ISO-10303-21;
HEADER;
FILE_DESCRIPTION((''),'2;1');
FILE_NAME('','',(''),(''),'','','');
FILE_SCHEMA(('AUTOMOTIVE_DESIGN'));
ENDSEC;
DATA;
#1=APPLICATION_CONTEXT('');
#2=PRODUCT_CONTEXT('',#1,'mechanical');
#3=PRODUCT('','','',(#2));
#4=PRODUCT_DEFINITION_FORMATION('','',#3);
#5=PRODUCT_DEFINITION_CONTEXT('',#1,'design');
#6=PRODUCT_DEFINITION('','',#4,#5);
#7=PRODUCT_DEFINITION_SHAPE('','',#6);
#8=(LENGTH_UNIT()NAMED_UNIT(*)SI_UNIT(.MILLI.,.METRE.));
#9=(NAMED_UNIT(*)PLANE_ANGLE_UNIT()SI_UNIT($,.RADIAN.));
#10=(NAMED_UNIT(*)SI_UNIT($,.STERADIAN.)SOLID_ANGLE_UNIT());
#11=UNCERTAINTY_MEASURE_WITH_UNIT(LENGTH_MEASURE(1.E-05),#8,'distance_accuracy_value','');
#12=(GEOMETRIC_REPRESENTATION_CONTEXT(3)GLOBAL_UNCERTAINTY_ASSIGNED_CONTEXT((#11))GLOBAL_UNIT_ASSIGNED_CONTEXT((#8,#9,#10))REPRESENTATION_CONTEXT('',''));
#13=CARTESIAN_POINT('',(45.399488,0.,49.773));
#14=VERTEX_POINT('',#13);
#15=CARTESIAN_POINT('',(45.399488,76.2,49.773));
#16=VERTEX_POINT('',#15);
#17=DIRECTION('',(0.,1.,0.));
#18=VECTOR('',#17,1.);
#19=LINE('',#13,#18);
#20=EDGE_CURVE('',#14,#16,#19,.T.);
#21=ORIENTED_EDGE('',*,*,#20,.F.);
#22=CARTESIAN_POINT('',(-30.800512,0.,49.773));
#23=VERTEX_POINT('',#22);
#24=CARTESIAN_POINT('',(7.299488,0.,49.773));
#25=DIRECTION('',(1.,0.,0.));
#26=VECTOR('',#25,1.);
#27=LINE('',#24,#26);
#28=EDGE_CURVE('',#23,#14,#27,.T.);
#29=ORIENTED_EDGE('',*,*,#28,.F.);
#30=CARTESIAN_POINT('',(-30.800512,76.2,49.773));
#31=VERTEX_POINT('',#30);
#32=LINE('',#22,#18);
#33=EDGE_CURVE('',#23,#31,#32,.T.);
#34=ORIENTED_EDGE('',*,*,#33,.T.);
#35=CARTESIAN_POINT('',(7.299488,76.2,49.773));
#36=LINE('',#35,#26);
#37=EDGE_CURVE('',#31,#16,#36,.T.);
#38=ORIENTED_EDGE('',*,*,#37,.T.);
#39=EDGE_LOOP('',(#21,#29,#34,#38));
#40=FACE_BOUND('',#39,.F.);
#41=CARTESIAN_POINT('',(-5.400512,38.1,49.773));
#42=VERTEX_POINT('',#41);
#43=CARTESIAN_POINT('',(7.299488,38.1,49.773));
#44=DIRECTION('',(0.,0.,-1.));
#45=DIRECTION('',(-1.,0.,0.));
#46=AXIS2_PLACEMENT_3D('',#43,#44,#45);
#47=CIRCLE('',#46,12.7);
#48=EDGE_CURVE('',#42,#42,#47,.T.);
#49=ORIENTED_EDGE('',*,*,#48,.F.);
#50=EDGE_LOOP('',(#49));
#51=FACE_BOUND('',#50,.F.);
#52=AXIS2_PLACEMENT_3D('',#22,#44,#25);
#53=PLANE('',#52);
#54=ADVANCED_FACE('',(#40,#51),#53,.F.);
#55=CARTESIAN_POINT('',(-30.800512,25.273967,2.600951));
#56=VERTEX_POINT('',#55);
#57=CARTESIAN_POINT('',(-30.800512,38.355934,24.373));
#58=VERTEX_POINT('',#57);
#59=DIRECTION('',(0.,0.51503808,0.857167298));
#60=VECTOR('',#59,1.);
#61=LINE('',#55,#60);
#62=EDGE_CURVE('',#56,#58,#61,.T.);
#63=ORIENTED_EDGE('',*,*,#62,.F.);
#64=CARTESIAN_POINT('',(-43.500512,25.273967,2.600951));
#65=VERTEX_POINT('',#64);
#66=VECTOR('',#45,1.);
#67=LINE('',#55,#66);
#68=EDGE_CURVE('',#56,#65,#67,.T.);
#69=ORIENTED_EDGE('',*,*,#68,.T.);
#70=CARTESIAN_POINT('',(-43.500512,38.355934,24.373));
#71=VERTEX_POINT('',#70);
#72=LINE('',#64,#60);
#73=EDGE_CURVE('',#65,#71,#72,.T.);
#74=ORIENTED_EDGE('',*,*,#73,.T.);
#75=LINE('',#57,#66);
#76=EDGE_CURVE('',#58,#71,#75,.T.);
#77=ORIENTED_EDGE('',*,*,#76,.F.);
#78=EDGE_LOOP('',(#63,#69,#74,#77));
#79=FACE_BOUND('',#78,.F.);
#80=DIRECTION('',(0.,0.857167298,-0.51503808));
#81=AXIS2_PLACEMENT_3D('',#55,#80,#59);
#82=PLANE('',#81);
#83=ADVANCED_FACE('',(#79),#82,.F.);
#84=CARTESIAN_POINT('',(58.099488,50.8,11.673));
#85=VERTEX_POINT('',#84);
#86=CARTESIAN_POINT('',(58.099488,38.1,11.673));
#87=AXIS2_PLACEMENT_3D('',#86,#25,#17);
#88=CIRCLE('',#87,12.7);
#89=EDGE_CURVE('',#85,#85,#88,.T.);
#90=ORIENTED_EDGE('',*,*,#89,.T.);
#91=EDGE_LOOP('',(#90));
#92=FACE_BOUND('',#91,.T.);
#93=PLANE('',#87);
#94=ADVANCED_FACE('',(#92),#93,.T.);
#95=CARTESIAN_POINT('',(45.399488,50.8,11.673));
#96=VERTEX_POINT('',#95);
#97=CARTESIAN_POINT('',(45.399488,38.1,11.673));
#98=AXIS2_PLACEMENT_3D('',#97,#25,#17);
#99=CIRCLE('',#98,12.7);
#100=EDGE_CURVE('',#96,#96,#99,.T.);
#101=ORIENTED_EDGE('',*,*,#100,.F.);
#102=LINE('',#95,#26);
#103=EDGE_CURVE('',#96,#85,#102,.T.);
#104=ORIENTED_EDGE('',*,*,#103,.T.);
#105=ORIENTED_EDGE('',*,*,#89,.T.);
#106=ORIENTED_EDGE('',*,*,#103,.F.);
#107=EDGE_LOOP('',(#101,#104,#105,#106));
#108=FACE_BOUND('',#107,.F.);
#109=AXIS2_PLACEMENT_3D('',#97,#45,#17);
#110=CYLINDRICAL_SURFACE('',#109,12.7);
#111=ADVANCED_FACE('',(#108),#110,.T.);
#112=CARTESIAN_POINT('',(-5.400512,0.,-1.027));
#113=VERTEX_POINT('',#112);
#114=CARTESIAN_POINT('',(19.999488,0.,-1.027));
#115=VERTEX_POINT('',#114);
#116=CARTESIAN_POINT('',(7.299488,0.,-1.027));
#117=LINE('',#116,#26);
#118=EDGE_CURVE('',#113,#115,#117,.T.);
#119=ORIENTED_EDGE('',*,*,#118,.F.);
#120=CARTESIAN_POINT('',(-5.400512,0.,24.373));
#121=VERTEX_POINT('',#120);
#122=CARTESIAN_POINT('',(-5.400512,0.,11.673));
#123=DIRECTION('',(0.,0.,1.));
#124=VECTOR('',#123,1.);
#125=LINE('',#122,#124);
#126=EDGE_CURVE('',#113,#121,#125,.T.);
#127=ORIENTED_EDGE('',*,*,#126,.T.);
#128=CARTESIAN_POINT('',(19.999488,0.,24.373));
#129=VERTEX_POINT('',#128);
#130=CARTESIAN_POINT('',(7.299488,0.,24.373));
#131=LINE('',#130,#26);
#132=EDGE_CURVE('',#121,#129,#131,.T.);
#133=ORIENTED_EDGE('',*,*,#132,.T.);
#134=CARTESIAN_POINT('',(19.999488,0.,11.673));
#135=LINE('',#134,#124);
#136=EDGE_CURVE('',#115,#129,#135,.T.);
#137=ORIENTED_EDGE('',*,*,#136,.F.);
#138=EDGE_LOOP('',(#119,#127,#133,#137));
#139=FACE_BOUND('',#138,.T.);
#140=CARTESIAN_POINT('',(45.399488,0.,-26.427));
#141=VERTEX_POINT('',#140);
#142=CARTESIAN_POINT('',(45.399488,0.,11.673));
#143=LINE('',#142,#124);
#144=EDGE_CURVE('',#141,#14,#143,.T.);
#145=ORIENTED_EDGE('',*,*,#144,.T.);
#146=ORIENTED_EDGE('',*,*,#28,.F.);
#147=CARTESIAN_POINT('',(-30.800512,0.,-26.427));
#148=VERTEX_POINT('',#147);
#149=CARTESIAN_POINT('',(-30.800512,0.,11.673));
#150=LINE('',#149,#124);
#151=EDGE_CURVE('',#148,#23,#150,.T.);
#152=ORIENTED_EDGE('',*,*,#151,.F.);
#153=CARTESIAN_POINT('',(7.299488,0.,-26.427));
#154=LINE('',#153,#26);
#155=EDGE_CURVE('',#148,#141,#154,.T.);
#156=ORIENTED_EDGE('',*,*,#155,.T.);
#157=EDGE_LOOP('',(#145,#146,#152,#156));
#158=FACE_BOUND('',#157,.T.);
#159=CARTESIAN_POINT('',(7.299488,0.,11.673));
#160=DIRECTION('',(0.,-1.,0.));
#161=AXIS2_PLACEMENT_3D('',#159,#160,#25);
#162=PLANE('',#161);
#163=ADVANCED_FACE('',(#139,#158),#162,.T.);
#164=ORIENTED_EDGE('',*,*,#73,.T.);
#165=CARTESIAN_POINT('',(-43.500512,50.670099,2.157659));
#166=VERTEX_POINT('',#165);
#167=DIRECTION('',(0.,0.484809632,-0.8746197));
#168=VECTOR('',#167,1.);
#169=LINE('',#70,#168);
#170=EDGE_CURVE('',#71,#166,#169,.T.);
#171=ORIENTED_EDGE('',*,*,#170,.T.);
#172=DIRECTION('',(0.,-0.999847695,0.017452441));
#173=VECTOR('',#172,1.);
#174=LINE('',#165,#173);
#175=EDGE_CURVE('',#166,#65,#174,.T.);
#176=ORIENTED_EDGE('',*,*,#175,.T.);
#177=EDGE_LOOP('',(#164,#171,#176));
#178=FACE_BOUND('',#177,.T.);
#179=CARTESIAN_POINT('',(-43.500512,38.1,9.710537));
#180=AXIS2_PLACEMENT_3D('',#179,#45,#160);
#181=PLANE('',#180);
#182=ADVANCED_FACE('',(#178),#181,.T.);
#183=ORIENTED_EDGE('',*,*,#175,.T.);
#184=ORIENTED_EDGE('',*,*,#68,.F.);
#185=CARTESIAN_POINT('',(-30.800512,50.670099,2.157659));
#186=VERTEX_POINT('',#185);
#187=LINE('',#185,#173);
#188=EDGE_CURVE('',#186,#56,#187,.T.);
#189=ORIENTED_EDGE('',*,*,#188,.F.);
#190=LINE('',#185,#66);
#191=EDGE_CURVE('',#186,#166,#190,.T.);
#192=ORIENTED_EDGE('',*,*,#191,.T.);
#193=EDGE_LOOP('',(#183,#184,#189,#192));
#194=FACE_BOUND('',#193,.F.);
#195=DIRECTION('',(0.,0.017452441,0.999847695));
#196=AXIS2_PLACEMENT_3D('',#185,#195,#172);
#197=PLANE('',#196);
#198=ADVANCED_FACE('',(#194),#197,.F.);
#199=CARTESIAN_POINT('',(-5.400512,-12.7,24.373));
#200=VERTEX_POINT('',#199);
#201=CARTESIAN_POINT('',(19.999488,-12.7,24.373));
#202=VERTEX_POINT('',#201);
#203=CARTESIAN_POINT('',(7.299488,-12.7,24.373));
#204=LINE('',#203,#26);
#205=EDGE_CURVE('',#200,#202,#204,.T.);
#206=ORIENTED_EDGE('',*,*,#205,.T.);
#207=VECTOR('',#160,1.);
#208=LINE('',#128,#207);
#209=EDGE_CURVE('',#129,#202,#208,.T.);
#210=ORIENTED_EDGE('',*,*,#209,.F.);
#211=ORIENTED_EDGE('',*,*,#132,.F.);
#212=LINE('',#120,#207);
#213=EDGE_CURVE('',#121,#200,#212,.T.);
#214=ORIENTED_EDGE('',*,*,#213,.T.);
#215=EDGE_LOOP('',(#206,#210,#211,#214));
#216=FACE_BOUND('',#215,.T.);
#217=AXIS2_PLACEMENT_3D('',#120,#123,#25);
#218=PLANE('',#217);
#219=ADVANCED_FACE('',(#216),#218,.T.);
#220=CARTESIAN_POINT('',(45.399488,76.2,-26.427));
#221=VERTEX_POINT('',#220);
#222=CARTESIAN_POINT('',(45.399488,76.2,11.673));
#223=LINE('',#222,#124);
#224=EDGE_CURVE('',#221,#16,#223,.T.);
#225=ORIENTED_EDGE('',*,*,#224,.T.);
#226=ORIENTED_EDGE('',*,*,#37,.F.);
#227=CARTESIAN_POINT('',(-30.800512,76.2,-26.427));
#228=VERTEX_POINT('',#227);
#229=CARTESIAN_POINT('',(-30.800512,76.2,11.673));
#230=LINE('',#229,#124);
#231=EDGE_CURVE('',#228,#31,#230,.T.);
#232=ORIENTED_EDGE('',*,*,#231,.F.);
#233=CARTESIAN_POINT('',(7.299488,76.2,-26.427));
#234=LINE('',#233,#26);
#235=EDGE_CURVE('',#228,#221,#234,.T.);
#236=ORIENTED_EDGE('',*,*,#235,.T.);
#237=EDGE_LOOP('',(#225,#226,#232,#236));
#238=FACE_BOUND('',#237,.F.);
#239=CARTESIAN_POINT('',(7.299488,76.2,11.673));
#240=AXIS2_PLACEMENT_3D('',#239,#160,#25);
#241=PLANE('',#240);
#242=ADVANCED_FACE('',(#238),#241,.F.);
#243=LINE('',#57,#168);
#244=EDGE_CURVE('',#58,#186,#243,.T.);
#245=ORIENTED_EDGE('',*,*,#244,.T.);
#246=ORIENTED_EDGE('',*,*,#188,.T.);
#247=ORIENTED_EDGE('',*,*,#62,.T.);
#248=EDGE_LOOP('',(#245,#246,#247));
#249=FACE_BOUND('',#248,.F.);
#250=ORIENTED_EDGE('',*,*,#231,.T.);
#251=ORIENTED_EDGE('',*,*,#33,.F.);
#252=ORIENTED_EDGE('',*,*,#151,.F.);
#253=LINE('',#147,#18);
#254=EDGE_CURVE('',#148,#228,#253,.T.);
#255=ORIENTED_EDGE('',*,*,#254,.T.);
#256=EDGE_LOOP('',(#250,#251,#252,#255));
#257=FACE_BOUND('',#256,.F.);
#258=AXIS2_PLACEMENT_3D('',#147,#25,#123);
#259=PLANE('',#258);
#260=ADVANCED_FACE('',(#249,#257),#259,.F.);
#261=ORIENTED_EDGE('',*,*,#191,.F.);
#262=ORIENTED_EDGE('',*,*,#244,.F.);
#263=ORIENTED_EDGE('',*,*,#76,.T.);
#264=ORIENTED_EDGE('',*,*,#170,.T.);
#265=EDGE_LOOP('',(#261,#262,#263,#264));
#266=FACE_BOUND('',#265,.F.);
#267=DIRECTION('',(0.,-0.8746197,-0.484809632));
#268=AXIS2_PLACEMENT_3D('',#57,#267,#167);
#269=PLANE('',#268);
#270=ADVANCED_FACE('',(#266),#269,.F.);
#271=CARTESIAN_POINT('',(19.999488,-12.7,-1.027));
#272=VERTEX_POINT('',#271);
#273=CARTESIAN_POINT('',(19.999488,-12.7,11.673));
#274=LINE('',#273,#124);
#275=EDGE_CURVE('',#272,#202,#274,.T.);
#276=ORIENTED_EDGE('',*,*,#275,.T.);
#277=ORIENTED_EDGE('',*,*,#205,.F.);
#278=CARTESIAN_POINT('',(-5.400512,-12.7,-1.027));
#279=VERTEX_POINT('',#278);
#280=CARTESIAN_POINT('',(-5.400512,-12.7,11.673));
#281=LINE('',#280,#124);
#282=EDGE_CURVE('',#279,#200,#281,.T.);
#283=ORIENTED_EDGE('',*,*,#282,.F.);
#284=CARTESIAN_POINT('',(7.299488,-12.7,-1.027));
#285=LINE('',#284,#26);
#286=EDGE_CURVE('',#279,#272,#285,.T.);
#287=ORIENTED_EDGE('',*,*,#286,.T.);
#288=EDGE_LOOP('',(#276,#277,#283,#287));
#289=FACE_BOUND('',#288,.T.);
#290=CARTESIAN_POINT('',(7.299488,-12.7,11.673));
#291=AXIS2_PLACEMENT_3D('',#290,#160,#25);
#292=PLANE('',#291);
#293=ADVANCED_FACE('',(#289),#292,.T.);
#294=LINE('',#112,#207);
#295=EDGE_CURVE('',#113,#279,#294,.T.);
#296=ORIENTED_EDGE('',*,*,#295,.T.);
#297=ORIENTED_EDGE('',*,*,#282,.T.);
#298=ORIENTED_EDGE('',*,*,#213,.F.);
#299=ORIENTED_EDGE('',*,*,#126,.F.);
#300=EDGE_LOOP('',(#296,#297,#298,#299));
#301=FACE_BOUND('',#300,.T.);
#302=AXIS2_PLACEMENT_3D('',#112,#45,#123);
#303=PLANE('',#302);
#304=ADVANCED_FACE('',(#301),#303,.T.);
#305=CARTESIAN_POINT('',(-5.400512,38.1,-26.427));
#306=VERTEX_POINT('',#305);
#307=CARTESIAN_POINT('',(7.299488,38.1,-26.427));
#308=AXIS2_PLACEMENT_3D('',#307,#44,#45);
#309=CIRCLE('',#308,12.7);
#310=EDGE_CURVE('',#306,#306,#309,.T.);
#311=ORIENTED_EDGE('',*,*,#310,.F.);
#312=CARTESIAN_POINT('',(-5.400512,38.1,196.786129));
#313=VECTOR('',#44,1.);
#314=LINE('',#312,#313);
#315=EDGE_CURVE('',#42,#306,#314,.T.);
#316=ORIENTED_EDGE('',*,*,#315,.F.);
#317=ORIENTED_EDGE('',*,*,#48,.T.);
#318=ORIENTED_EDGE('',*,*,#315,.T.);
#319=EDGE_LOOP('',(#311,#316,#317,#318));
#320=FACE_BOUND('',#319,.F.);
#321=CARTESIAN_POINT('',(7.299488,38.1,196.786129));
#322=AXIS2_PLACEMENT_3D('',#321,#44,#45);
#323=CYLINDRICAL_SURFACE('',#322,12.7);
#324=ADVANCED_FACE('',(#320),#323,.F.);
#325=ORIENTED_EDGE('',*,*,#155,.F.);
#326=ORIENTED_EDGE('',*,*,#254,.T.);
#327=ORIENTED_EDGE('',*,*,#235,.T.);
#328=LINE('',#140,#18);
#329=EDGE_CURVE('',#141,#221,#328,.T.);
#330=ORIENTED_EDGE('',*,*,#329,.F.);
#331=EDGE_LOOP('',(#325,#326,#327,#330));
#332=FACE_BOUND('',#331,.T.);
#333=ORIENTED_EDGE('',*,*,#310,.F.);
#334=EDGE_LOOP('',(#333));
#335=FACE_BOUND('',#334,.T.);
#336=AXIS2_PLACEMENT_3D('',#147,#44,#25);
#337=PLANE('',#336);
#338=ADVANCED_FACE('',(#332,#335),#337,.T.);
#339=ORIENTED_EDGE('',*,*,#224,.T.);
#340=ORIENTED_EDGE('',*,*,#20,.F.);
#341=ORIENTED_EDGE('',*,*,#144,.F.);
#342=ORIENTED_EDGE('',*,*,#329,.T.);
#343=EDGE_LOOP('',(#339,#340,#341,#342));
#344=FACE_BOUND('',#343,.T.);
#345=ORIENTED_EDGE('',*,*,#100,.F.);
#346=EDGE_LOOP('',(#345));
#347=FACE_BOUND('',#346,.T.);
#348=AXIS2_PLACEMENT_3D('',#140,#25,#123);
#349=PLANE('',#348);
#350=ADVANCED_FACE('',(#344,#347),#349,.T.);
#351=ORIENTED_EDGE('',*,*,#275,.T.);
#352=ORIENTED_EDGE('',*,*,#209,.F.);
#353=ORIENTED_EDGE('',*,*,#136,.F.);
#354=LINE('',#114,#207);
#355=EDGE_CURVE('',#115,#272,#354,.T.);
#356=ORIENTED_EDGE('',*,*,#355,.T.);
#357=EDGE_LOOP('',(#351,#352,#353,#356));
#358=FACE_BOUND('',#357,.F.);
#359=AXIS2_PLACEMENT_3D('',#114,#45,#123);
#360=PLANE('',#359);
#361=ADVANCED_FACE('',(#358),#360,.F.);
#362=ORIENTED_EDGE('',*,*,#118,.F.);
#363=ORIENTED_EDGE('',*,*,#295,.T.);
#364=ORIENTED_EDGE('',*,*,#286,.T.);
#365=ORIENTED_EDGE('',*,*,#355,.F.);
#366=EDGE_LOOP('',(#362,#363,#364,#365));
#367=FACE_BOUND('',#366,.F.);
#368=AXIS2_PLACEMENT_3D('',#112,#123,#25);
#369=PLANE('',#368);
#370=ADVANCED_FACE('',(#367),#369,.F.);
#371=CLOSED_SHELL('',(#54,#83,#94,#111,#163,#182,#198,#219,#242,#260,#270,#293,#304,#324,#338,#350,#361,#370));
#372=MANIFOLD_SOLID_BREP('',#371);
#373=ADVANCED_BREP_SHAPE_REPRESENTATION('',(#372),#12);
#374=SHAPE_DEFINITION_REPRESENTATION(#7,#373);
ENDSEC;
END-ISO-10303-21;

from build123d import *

# Parameters (mm, degrees)
F0_W     = 76.2
F0_H     = 76.2
F1_DEPTH = 76.2
F2_W     = 25.4
F2_H     = 25.4
F3_DEPTH = 12.7
F4_R     = 12.7
F5_DEPTH = 12.7
F7_D     = 25.4
F9_DEPTH = 12.7


with BuildPart() as f1:
    # F0 (on Front) → F1 (new body)
    with BuildSketch(Plane.XZ):
        with Locations((7.299488, 11.673)):
            Rectangle(F0_W, F0_H)
    extrude(amount=-F1_DEPTH)

    # F2 (on face) → F3 (join)
    with BuildSketch(Plane.XZ):
        with Locations((7.299488, 11.673)):
            Rectangle(F2_W, F2_H)
    extrude(amount=F3_DEPTH)

    # F4 (on face) → F5 (join)
    with BuildSketch(Plane.YZ.offset(45.399488)):
        with Locations((38.1, 11.673)):
            Circle(F4_R)
    extrude(amount=F5_DEPTH)

    # F7 (through all)
    with Locations(Plane.XY.offset(49.773)):
        with Locations((7.299488, 38.1)):
            Hole(F7_D / 2)

    # F8 (on face) → F9 (join)
    with BuildSketch(Plane(origin=(-30.800512, 0, 0), x_dir=(0, -1, 0), z_dir=(-1, 0, 0))):
        Polygon((-25.273967, 2.600951), (-38.355934, 24.373), (-50.670099, 2.157659), align=None)
    extrude(amount=F9_DEPTH)


solid = f1.part
